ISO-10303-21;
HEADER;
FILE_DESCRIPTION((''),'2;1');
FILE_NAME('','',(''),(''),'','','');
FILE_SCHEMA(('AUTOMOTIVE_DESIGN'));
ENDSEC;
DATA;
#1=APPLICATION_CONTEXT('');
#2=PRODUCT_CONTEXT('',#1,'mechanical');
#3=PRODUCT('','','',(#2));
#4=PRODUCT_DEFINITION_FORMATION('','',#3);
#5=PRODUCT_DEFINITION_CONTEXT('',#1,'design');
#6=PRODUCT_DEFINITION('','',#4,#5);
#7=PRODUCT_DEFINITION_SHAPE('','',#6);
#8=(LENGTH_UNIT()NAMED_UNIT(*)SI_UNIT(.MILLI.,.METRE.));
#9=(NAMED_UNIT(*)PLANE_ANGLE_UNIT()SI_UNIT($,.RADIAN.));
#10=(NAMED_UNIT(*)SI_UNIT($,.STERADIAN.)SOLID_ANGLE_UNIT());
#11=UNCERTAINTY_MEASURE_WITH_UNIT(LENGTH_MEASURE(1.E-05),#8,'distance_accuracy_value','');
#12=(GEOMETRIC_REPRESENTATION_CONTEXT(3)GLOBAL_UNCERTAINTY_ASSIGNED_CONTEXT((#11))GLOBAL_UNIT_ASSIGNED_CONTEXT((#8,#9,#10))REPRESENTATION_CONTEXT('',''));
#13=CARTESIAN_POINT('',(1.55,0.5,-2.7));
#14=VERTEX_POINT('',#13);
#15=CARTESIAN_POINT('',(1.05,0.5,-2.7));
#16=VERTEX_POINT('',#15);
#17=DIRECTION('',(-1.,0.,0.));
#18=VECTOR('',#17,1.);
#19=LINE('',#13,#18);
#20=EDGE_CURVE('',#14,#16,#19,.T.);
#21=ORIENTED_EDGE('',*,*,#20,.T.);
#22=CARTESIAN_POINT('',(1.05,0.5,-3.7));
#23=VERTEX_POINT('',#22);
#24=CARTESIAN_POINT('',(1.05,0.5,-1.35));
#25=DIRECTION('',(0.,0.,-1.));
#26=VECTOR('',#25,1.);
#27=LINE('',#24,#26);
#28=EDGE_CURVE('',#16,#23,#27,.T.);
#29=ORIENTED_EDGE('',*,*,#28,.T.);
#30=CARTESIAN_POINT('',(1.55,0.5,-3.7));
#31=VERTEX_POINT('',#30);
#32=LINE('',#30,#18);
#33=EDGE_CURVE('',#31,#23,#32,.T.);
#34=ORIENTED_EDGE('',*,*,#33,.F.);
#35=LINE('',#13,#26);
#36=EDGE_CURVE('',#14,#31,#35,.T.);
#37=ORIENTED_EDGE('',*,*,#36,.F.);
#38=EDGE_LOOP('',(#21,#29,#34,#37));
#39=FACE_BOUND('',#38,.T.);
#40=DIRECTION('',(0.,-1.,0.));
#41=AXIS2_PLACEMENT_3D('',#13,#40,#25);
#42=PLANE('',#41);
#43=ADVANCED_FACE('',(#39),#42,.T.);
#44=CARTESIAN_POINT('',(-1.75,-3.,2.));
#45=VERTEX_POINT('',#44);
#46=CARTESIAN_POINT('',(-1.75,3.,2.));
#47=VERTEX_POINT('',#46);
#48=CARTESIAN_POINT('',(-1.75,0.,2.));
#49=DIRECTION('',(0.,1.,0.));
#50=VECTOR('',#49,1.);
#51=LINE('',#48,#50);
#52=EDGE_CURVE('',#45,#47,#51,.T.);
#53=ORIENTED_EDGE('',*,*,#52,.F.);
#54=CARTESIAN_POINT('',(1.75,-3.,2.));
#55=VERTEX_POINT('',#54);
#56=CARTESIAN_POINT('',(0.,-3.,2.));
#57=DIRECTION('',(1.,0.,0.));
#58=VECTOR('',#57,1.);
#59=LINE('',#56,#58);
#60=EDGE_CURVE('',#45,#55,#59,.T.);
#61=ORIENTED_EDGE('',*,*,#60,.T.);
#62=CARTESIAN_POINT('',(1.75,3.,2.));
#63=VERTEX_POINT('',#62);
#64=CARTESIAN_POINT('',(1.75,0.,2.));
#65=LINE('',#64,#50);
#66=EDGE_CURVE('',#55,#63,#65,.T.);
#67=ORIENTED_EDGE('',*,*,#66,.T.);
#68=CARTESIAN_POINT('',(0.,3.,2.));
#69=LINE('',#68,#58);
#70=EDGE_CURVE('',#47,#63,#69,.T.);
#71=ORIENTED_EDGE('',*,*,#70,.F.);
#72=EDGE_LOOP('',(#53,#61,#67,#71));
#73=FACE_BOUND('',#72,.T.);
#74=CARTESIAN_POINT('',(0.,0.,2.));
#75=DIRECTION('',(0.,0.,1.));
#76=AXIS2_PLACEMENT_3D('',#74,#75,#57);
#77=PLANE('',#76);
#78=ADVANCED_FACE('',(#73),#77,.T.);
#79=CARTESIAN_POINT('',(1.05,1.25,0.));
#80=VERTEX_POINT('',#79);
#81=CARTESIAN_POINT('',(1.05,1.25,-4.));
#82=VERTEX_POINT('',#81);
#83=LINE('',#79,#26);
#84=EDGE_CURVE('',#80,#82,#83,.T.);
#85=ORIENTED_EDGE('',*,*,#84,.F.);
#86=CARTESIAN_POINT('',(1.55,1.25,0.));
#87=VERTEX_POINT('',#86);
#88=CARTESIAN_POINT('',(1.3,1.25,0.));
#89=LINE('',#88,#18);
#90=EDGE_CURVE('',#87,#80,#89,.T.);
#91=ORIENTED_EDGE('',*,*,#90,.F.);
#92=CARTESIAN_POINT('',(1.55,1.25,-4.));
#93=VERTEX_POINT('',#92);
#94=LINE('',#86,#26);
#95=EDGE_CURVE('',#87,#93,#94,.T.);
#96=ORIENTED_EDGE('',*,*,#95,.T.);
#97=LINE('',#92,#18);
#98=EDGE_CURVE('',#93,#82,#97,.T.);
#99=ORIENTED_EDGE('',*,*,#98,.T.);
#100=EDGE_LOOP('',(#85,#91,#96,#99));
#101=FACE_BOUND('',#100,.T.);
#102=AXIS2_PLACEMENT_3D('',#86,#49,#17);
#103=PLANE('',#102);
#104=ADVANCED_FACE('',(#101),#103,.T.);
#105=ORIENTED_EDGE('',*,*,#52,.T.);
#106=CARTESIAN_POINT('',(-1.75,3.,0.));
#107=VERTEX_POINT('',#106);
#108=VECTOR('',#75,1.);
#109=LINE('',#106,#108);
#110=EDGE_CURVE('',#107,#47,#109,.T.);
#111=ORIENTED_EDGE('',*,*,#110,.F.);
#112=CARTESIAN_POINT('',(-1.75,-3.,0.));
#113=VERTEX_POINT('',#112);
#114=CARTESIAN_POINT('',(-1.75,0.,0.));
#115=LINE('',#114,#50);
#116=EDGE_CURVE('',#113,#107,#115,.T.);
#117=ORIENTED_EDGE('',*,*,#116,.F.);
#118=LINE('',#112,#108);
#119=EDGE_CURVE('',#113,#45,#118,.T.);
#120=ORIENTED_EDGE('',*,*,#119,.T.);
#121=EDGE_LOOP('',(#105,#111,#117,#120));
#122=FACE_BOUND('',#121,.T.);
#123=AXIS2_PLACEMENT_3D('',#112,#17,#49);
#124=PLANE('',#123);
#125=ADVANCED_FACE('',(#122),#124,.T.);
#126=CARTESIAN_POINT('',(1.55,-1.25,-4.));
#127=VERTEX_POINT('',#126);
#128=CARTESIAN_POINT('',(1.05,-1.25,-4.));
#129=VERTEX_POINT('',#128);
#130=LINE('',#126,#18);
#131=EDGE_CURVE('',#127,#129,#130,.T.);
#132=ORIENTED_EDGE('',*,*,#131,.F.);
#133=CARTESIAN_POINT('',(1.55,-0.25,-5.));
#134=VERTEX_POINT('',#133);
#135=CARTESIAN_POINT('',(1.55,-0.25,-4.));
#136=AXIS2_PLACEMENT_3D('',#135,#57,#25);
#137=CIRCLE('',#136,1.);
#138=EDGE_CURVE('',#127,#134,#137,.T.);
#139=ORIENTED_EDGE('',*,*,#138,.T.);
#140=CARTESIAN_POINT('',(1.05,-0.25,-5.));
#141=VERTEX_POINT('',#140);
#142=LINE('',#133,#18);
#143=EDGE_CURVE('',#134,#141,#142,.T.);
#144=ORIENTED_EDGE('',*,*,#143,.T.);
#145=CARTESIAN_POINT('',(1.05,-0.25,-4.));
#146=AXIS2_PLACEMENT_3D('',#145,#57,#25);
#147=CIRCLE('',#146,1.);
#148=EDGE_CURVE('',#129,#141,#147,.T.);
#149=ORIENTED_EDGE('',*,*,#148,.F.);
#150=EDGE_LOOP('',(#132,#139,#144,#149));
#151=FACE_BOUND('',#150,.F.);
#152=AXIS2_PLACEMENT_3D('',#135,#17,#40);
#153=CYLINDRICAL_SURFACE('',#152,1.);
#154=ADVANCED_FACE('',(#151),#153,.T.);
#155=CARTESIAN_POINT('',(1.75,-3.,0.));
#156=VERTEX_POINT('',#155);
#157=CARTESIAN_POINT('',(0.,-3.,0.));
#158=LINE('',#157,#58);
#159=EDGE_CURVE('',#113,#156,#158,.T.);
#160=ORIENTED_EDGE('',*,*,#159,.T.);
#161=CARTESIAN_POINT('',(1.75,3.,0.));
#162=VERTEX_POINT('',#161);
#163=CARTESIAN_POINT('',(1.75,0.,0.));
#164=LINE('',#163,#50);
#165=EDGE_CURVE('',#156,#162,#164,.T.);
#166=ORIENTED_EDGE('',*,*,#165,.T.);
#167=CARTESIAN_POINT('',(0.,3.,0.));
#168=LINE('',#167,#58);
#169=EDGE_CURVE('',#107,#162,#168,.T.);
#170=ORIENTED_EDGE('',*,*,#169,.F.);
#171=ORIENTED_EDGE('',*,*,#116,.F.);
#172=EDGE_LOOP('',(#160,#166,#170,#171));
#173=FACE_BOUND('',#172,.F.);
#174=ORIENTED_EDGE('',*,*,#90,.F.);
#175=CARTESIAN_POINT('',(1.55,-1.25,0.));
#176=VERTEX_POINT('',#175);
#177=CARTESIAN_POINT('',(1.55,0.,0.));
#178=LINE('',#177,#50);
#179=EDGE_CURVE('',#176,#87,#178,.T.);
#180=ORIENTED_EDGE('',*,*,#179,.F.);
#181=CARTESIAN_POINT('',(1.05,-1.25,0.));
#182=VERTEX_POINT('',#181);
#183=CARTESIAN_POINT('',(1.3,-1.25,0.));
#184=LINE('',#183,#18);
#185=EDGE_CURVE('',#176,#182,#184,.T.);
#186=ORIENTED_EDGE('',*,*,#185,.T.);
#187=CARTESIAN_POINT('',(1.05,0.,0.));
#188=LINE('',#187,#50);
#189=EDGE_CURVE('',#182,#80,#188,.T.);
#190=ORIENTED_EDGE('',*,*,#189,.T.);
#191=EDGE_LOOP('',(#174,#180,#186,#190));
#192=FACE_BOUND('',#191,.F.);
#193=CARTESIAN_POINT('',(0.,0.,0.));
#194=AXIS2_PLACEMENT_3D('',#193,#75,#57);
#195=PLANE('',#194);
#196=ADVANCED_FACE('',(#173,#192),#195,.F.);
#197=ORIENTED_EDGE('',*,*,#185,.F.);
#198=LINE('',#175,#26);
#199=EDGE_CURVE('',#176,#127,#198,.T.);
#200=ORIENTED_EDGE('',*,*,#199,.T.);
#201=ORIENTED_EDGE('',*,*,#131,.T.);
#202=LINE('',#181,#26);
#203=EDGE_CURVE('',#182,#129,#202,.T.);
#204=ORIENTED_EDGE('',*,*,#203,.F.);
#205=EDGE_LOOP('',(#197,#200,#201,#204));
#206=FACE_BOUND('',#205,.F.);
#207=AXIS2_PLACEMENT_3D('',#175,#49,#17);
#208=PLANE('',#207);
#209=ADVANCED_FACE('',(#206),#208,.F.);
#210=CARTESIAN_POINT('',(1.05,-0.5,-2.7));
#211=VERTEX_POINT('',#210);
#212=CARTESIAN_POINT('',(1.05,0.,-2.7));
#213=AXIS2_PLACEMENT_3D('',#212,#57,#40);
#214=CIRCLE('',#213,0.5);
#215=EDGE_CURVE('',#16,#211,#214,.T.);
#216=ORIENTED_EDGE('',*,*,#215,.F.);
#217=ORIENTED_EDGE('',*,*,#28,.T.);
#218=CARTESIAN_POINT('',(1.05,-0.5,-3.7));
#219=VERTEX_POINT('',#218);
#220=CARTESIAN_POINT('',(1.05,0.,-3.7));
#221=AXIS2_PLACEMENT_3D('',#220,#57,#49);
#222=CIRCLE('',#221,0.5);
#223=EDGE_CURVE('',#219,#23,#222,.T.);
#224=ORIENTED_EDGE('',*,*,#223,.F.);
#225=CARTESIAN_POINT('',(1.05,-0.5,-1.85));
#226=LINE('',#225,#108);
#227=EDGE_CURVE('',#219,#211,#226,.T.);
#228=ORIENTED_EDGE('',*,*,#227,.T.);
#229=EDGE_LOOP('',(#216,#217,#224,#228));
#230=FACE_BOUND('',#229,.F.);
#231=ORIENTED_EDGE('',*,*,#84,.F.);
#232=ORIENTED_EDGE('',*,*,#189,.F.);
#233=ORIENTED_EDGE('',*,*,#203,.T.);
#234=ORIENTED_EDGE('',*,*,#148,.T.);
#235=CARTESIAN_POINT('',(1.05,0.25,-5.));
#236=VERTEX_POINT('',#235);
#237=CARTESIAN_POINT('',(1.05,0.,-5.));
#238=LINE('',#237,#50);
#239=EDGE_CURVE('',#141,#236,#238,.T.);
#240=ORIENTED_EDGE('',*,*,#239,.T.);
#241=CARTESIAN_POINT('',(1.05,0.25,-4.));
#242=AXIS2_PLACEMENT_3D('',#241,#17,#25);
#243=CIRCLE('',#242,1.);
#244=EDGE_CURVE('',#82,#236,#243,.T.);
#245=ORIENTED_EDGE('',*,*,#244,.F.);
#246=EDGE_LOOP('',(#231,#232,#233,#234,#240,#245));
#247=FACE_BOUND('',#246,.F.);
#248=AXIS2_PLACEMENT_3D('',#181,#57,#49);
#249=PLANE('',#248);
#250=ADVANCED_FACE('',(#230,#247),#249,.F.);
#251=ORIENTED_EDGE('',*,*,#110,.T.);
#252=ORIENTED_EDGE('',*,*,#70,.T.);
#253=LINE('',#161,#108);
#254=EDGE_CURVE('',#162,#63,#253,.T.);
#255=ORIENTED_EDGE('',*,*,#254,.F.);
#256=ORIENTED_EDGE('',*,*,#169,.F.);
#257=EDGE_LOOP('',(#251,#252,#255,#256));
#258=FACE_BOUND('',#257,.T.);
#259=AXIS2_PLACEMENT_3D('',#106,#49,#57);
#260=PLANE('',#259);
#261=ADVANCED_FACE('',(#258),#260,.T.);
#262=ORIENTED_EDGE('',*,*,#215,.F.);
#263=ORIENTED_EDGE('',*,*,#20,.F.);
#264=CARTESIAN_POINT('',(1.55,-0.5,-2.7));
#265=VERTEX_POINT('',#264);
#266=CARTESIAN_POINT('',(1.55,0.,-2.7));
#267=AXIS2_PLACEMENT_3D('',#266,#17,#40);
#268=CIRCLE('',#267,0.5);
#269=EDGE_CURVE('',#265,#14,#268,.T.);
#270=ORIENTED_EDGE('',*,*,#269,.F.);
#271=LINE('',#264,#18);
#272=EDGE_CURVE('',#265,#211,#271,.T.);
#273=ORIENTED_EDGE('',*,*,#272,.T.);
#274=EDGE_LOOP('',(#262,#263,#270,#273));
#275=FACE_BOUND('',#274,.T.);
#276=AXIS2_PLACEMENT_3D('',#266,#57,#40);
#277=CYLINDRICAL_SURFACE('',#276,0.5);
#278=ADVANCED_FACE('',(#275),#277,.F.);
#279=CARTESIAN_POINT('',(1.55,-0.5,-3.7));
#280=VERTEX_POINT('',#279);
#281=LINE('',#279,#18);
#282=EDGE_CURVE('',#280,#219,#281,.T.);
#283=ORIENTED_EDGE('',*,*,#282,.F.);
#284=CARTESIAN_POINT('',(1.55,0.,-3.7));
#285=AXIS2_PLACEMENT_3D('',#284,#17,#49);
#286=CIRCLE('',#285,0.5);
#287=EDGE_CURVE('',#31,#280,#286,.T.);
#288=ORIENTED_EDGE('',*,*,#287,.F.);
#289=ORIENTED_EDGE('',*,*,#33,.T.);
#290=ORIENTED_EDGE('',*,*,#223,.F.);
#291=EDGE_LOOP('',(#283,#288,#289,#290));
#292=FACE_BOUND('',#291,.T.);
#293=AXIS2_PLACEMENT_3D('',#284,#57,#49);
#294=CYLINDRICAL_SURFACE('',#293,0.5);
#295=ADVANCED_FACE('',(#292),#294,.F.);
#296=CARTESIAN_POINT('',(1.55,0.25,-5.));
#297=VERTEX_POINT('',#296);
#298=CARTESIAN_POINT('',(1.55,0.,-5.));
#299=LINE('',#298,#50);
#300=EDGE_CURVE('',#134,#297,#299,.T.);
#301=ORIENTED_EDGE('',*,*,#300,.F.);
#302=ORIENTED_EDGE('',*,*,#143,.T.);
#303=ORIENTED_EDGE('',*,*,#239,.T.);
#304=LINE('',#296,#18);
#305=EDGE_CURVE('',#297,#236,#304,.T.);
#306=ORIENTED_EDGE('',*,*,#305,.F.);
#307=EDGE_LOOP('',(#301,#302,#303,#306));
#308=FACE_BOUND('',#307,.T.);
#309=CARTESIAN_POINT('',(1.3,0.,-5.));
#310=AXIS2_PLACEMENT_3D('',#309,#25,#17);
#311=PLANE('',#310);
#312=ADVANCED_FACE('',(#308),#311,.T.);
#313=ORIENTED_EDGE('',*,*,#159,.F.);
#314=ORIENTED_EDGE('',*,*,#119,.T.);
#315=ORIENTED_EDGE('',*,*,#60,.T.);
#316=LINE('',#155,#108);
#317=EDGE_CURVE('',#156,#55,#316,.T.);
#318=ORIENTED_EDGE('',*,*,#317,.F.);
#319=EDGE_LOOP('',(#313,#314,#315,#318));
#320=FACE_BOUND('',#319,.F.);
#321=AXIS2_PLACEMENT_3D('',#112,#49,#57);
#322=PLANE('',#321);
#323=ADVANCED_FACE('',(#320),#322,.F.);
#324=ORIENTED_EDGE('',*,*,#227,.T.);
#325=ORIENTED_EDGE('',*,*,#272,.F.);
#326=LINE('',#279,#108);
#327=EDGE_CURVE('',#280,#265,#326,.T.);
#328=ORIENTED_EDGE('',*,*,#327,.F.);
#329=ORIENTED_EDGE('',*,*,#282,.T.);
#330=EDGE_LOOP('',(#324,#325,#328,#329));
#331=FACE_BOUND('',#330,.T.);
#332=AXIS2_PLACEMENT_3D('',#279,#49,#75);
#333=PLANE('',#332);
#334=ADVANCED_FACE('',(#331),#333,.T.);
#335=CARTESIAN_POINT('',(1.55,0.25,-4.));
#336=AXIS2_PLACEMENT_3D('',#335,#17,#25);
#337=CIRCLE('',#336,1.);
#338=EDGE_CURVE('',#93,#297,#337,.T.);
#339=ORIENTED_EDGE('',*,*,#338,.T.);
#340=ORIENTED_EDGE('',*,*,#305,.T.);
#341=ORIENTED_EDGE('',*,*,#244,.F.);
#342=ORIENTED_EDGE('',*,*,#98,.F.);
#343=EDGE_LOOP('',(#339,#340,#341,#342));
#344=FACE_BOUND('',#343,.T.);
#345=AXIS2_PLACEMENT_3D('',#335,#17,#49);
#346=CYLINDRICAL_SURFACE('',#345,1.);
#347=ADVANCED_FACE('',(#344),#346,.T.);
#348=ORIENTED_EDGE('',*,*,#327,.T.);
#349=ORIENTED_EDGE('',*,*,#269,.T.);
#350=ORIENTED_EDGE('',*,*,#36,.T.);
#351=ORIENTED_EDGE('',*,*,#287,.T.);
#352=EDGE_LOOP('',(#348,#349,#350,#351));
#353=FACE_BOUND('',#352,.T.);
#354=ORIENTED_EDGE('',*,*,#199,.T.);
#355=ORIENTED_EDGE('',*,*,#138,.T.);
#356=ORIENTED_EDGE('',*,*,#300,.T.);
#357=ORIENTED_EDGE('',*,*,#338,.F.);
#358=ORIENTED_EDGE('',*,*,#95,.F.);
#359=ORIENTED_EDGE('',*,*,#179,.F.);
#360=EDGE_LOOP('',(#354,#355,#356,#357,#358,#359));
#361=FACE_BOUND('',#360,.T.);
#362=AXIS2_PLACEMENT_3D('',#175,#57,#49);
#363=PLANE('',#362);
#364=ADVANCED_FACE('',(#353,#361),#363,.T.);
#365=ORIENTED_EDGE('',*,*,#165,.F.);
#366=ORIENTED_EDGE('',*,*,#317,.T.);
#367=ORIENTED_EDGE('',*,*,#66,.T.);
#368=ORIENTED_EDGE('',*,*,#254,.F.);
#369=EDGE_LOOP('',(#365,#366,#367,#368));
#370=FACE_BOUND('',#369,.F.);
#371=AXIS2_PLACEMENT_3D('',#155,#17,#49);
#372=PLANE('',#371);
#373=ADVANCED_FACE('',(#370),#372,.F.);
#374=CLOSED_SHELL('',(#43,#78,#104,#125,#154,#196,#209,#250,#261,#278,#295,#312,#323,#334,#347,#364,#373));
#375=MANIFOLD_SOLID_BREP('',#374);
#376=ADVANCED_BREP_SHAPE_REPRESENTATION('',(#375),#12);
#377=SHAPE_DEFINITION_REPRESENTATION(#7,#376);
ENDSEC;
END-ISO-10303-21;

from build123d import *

# Parameters (mm, degrees)
SKETCH1_W           = 3.5
SKETCH1_H           = 6
BOSS_EXTRUDE1_DEPTH = 2
SKETCH2_W           = 0.5
SKETCH2_H           = 2.5
BOSS_EXTRUDE2_DEPTH = 5
FILLET1_R           = 1
CUT_EXTRUDE1_DEPTH  = 4.3


with BuildPart() as part:
    # Sketch1 → Boss-Extrude1 (new body)
    with BuildSketch(Plane.XY):
        Rectangle(SKETCH1_W, SKETCH1_H)
    extrude(amount=BOSS_EXTRUDE1_DEPTH)

    # Sketch2 → Boss-Extrude2 (add)
    with BuildSketch(Plane(origin=(0, 0, 0), x_dir=(-1, 0, 0), z_dir=(0, 0, -1))):
        with Locations((-1.3, 0)):
            Rectangle(SKETCH2_W, SKETCH2_H)
    extrude(amount=BOSS_EXTRUDE2_DEPTH)

    # Fillet1
    fillet1_edges = [part.edges().sort_by_distance(p)[0] for p in [
        (1.3, 1.25, -5),
        (1.3, -1.25, -5),
    ]]
    fillet(fillet1_edges, radius=FILLET1_R)

    # Sketch3 → Cut-Extrude1 (cut, through all)
    with BuildSketch(Plane(origin=(1.55, 0, 0), x_dir=(0, 0, -1), z_dir=(1, 0, 0))):
        with BuildLine():
            Line((2.7, 0.5), (3.7, 0.5))
            ThreePointArc((3.7, 0.5), (4.2, 0), (3.7, -0.5))
            Line((3.7, -0.5), (2.7, -0.5))
            ThreePointArc((2.7, -0.5), (2.2, 0), (2.7, 0.5))
        make_face()
    extrude(amount=-CUT_EXTRUDE1_DEPTH, mode=Mode.SUBTRACT)


solid = part.part
